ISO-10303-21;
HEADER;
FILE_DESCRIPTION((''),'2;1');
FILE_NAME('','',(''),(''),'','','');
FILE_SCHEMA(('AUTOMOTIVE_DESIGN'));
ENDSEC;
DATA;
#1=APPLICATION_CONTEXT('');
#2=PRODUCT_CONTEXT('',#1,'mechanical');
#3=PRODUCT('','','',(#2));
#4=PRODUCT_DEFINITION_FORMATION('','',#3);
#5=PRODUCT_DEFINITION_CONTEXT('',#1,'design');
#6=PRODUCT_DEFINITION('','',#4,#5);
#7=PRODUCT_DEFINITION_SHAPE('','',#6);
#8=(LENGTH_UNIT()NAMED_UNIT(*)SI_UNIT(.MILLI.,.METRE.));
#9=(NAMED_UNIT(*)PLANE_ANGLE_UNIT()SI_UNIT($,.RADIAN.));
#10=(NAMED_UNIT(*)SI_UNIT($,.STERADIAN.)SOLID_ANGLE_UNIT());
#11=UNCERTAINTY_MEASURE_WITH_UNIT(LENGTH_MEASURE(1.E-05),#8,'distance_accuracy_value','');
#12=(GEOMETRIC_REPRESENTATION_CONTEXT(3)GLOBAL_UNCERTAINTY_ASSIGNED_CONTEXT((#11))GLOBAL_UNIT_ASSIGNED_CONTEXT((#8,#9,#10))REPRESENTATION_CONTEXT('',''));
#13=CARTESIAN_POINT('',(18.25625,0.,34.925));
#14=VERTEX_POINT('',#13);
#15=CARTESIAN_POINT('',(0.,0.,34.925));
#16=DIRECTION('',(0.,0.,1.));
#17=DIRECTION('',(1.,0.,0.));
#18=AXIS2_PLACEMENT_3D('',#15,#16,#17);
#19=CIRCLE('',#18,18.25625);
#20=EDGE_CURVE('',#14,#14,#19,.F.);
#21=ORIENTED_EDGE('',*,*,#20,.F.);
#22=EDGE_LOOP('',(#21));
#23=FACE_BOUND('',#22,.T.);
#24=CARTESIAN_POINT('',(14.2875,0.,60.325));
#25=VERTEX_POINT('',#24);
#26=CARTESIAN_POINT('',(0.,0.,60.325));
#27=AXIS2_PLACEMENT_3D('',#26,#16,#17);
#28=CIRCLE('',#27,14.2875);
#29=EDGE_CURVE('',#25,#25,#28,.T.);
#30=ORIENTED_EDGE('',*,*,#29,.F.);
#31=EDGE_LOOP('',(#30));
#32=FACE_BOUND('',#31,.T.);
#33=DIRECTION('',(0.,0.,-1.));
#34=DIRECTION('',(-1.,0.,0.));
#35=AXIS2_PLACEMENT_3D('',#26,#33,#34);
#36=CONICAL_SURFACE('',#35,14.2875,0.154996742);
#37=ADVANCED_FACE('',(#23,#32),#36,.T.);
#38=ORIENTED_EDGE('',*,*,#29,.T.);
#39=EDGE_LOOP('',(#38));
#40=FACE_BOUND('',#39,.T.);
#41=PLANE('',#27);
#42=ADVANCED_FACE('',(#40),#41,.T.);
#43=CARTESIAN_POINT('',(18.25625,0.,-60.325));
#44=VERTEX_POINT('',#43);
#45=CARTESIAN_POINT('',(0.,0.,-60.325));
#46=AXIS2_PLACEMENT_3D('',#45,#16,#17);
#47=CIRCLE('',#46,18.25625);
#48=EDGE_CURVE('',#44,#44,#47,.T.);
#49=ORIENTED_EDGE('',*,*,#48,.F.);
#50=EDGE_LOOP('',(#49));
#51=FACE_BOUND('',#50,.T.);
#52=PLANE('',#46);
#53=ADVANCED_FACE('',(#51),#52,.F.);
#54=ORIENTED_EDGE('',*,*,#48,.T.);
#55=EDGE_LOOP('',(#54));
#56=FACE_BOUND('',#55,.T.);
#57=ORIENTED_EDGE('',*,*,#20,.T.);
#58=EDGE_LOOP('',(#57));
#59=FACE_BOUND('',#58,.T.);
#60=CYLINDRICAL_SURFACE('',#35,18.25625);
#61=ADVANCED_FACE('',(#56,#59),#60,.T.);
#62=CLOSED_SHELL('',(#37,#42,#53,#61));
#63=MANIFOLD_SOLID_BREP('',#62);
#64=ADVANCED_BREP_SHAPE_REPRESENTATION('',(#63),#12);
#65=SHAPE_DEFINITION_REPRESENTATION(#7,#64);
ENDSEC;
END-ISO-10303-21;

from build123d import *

# Parameters (mm, degrees)
SKETCH1_R           = 18.25625
BOSS_EXTRUDE1_DEPTH = 60.325
CHAMFER1_SIZE       = 25.4
CHAMFER1_SIZE2      = 3.96875


with BuildPart() as part:
    # Sketch1 → Boss-Extrude1 (new body, symmetric)
    with BuildSketch(Plane.XY):
        Circle(SKETCH1_R)
    extrude(amount=BOSS_EXTRUDE1_DEPTH, both=True)

    # Chamfer1
    chamfer1_edges = [part.edges().sort_by_distance(p)[0] for p in [
        (-18.25625, 0, 60.325),
    ]]
    chamfer1_side = [part.faces().sort_by_distance(p)[0] for p in [
        (-18.25625, 0, 0),
    ]]
    chamfer(chamfer1_edges, length=CHAMFER1_SIZE, length2=CHAMFER1_SIZE2, reference=chamfer1_side[0])


solid = part.part
